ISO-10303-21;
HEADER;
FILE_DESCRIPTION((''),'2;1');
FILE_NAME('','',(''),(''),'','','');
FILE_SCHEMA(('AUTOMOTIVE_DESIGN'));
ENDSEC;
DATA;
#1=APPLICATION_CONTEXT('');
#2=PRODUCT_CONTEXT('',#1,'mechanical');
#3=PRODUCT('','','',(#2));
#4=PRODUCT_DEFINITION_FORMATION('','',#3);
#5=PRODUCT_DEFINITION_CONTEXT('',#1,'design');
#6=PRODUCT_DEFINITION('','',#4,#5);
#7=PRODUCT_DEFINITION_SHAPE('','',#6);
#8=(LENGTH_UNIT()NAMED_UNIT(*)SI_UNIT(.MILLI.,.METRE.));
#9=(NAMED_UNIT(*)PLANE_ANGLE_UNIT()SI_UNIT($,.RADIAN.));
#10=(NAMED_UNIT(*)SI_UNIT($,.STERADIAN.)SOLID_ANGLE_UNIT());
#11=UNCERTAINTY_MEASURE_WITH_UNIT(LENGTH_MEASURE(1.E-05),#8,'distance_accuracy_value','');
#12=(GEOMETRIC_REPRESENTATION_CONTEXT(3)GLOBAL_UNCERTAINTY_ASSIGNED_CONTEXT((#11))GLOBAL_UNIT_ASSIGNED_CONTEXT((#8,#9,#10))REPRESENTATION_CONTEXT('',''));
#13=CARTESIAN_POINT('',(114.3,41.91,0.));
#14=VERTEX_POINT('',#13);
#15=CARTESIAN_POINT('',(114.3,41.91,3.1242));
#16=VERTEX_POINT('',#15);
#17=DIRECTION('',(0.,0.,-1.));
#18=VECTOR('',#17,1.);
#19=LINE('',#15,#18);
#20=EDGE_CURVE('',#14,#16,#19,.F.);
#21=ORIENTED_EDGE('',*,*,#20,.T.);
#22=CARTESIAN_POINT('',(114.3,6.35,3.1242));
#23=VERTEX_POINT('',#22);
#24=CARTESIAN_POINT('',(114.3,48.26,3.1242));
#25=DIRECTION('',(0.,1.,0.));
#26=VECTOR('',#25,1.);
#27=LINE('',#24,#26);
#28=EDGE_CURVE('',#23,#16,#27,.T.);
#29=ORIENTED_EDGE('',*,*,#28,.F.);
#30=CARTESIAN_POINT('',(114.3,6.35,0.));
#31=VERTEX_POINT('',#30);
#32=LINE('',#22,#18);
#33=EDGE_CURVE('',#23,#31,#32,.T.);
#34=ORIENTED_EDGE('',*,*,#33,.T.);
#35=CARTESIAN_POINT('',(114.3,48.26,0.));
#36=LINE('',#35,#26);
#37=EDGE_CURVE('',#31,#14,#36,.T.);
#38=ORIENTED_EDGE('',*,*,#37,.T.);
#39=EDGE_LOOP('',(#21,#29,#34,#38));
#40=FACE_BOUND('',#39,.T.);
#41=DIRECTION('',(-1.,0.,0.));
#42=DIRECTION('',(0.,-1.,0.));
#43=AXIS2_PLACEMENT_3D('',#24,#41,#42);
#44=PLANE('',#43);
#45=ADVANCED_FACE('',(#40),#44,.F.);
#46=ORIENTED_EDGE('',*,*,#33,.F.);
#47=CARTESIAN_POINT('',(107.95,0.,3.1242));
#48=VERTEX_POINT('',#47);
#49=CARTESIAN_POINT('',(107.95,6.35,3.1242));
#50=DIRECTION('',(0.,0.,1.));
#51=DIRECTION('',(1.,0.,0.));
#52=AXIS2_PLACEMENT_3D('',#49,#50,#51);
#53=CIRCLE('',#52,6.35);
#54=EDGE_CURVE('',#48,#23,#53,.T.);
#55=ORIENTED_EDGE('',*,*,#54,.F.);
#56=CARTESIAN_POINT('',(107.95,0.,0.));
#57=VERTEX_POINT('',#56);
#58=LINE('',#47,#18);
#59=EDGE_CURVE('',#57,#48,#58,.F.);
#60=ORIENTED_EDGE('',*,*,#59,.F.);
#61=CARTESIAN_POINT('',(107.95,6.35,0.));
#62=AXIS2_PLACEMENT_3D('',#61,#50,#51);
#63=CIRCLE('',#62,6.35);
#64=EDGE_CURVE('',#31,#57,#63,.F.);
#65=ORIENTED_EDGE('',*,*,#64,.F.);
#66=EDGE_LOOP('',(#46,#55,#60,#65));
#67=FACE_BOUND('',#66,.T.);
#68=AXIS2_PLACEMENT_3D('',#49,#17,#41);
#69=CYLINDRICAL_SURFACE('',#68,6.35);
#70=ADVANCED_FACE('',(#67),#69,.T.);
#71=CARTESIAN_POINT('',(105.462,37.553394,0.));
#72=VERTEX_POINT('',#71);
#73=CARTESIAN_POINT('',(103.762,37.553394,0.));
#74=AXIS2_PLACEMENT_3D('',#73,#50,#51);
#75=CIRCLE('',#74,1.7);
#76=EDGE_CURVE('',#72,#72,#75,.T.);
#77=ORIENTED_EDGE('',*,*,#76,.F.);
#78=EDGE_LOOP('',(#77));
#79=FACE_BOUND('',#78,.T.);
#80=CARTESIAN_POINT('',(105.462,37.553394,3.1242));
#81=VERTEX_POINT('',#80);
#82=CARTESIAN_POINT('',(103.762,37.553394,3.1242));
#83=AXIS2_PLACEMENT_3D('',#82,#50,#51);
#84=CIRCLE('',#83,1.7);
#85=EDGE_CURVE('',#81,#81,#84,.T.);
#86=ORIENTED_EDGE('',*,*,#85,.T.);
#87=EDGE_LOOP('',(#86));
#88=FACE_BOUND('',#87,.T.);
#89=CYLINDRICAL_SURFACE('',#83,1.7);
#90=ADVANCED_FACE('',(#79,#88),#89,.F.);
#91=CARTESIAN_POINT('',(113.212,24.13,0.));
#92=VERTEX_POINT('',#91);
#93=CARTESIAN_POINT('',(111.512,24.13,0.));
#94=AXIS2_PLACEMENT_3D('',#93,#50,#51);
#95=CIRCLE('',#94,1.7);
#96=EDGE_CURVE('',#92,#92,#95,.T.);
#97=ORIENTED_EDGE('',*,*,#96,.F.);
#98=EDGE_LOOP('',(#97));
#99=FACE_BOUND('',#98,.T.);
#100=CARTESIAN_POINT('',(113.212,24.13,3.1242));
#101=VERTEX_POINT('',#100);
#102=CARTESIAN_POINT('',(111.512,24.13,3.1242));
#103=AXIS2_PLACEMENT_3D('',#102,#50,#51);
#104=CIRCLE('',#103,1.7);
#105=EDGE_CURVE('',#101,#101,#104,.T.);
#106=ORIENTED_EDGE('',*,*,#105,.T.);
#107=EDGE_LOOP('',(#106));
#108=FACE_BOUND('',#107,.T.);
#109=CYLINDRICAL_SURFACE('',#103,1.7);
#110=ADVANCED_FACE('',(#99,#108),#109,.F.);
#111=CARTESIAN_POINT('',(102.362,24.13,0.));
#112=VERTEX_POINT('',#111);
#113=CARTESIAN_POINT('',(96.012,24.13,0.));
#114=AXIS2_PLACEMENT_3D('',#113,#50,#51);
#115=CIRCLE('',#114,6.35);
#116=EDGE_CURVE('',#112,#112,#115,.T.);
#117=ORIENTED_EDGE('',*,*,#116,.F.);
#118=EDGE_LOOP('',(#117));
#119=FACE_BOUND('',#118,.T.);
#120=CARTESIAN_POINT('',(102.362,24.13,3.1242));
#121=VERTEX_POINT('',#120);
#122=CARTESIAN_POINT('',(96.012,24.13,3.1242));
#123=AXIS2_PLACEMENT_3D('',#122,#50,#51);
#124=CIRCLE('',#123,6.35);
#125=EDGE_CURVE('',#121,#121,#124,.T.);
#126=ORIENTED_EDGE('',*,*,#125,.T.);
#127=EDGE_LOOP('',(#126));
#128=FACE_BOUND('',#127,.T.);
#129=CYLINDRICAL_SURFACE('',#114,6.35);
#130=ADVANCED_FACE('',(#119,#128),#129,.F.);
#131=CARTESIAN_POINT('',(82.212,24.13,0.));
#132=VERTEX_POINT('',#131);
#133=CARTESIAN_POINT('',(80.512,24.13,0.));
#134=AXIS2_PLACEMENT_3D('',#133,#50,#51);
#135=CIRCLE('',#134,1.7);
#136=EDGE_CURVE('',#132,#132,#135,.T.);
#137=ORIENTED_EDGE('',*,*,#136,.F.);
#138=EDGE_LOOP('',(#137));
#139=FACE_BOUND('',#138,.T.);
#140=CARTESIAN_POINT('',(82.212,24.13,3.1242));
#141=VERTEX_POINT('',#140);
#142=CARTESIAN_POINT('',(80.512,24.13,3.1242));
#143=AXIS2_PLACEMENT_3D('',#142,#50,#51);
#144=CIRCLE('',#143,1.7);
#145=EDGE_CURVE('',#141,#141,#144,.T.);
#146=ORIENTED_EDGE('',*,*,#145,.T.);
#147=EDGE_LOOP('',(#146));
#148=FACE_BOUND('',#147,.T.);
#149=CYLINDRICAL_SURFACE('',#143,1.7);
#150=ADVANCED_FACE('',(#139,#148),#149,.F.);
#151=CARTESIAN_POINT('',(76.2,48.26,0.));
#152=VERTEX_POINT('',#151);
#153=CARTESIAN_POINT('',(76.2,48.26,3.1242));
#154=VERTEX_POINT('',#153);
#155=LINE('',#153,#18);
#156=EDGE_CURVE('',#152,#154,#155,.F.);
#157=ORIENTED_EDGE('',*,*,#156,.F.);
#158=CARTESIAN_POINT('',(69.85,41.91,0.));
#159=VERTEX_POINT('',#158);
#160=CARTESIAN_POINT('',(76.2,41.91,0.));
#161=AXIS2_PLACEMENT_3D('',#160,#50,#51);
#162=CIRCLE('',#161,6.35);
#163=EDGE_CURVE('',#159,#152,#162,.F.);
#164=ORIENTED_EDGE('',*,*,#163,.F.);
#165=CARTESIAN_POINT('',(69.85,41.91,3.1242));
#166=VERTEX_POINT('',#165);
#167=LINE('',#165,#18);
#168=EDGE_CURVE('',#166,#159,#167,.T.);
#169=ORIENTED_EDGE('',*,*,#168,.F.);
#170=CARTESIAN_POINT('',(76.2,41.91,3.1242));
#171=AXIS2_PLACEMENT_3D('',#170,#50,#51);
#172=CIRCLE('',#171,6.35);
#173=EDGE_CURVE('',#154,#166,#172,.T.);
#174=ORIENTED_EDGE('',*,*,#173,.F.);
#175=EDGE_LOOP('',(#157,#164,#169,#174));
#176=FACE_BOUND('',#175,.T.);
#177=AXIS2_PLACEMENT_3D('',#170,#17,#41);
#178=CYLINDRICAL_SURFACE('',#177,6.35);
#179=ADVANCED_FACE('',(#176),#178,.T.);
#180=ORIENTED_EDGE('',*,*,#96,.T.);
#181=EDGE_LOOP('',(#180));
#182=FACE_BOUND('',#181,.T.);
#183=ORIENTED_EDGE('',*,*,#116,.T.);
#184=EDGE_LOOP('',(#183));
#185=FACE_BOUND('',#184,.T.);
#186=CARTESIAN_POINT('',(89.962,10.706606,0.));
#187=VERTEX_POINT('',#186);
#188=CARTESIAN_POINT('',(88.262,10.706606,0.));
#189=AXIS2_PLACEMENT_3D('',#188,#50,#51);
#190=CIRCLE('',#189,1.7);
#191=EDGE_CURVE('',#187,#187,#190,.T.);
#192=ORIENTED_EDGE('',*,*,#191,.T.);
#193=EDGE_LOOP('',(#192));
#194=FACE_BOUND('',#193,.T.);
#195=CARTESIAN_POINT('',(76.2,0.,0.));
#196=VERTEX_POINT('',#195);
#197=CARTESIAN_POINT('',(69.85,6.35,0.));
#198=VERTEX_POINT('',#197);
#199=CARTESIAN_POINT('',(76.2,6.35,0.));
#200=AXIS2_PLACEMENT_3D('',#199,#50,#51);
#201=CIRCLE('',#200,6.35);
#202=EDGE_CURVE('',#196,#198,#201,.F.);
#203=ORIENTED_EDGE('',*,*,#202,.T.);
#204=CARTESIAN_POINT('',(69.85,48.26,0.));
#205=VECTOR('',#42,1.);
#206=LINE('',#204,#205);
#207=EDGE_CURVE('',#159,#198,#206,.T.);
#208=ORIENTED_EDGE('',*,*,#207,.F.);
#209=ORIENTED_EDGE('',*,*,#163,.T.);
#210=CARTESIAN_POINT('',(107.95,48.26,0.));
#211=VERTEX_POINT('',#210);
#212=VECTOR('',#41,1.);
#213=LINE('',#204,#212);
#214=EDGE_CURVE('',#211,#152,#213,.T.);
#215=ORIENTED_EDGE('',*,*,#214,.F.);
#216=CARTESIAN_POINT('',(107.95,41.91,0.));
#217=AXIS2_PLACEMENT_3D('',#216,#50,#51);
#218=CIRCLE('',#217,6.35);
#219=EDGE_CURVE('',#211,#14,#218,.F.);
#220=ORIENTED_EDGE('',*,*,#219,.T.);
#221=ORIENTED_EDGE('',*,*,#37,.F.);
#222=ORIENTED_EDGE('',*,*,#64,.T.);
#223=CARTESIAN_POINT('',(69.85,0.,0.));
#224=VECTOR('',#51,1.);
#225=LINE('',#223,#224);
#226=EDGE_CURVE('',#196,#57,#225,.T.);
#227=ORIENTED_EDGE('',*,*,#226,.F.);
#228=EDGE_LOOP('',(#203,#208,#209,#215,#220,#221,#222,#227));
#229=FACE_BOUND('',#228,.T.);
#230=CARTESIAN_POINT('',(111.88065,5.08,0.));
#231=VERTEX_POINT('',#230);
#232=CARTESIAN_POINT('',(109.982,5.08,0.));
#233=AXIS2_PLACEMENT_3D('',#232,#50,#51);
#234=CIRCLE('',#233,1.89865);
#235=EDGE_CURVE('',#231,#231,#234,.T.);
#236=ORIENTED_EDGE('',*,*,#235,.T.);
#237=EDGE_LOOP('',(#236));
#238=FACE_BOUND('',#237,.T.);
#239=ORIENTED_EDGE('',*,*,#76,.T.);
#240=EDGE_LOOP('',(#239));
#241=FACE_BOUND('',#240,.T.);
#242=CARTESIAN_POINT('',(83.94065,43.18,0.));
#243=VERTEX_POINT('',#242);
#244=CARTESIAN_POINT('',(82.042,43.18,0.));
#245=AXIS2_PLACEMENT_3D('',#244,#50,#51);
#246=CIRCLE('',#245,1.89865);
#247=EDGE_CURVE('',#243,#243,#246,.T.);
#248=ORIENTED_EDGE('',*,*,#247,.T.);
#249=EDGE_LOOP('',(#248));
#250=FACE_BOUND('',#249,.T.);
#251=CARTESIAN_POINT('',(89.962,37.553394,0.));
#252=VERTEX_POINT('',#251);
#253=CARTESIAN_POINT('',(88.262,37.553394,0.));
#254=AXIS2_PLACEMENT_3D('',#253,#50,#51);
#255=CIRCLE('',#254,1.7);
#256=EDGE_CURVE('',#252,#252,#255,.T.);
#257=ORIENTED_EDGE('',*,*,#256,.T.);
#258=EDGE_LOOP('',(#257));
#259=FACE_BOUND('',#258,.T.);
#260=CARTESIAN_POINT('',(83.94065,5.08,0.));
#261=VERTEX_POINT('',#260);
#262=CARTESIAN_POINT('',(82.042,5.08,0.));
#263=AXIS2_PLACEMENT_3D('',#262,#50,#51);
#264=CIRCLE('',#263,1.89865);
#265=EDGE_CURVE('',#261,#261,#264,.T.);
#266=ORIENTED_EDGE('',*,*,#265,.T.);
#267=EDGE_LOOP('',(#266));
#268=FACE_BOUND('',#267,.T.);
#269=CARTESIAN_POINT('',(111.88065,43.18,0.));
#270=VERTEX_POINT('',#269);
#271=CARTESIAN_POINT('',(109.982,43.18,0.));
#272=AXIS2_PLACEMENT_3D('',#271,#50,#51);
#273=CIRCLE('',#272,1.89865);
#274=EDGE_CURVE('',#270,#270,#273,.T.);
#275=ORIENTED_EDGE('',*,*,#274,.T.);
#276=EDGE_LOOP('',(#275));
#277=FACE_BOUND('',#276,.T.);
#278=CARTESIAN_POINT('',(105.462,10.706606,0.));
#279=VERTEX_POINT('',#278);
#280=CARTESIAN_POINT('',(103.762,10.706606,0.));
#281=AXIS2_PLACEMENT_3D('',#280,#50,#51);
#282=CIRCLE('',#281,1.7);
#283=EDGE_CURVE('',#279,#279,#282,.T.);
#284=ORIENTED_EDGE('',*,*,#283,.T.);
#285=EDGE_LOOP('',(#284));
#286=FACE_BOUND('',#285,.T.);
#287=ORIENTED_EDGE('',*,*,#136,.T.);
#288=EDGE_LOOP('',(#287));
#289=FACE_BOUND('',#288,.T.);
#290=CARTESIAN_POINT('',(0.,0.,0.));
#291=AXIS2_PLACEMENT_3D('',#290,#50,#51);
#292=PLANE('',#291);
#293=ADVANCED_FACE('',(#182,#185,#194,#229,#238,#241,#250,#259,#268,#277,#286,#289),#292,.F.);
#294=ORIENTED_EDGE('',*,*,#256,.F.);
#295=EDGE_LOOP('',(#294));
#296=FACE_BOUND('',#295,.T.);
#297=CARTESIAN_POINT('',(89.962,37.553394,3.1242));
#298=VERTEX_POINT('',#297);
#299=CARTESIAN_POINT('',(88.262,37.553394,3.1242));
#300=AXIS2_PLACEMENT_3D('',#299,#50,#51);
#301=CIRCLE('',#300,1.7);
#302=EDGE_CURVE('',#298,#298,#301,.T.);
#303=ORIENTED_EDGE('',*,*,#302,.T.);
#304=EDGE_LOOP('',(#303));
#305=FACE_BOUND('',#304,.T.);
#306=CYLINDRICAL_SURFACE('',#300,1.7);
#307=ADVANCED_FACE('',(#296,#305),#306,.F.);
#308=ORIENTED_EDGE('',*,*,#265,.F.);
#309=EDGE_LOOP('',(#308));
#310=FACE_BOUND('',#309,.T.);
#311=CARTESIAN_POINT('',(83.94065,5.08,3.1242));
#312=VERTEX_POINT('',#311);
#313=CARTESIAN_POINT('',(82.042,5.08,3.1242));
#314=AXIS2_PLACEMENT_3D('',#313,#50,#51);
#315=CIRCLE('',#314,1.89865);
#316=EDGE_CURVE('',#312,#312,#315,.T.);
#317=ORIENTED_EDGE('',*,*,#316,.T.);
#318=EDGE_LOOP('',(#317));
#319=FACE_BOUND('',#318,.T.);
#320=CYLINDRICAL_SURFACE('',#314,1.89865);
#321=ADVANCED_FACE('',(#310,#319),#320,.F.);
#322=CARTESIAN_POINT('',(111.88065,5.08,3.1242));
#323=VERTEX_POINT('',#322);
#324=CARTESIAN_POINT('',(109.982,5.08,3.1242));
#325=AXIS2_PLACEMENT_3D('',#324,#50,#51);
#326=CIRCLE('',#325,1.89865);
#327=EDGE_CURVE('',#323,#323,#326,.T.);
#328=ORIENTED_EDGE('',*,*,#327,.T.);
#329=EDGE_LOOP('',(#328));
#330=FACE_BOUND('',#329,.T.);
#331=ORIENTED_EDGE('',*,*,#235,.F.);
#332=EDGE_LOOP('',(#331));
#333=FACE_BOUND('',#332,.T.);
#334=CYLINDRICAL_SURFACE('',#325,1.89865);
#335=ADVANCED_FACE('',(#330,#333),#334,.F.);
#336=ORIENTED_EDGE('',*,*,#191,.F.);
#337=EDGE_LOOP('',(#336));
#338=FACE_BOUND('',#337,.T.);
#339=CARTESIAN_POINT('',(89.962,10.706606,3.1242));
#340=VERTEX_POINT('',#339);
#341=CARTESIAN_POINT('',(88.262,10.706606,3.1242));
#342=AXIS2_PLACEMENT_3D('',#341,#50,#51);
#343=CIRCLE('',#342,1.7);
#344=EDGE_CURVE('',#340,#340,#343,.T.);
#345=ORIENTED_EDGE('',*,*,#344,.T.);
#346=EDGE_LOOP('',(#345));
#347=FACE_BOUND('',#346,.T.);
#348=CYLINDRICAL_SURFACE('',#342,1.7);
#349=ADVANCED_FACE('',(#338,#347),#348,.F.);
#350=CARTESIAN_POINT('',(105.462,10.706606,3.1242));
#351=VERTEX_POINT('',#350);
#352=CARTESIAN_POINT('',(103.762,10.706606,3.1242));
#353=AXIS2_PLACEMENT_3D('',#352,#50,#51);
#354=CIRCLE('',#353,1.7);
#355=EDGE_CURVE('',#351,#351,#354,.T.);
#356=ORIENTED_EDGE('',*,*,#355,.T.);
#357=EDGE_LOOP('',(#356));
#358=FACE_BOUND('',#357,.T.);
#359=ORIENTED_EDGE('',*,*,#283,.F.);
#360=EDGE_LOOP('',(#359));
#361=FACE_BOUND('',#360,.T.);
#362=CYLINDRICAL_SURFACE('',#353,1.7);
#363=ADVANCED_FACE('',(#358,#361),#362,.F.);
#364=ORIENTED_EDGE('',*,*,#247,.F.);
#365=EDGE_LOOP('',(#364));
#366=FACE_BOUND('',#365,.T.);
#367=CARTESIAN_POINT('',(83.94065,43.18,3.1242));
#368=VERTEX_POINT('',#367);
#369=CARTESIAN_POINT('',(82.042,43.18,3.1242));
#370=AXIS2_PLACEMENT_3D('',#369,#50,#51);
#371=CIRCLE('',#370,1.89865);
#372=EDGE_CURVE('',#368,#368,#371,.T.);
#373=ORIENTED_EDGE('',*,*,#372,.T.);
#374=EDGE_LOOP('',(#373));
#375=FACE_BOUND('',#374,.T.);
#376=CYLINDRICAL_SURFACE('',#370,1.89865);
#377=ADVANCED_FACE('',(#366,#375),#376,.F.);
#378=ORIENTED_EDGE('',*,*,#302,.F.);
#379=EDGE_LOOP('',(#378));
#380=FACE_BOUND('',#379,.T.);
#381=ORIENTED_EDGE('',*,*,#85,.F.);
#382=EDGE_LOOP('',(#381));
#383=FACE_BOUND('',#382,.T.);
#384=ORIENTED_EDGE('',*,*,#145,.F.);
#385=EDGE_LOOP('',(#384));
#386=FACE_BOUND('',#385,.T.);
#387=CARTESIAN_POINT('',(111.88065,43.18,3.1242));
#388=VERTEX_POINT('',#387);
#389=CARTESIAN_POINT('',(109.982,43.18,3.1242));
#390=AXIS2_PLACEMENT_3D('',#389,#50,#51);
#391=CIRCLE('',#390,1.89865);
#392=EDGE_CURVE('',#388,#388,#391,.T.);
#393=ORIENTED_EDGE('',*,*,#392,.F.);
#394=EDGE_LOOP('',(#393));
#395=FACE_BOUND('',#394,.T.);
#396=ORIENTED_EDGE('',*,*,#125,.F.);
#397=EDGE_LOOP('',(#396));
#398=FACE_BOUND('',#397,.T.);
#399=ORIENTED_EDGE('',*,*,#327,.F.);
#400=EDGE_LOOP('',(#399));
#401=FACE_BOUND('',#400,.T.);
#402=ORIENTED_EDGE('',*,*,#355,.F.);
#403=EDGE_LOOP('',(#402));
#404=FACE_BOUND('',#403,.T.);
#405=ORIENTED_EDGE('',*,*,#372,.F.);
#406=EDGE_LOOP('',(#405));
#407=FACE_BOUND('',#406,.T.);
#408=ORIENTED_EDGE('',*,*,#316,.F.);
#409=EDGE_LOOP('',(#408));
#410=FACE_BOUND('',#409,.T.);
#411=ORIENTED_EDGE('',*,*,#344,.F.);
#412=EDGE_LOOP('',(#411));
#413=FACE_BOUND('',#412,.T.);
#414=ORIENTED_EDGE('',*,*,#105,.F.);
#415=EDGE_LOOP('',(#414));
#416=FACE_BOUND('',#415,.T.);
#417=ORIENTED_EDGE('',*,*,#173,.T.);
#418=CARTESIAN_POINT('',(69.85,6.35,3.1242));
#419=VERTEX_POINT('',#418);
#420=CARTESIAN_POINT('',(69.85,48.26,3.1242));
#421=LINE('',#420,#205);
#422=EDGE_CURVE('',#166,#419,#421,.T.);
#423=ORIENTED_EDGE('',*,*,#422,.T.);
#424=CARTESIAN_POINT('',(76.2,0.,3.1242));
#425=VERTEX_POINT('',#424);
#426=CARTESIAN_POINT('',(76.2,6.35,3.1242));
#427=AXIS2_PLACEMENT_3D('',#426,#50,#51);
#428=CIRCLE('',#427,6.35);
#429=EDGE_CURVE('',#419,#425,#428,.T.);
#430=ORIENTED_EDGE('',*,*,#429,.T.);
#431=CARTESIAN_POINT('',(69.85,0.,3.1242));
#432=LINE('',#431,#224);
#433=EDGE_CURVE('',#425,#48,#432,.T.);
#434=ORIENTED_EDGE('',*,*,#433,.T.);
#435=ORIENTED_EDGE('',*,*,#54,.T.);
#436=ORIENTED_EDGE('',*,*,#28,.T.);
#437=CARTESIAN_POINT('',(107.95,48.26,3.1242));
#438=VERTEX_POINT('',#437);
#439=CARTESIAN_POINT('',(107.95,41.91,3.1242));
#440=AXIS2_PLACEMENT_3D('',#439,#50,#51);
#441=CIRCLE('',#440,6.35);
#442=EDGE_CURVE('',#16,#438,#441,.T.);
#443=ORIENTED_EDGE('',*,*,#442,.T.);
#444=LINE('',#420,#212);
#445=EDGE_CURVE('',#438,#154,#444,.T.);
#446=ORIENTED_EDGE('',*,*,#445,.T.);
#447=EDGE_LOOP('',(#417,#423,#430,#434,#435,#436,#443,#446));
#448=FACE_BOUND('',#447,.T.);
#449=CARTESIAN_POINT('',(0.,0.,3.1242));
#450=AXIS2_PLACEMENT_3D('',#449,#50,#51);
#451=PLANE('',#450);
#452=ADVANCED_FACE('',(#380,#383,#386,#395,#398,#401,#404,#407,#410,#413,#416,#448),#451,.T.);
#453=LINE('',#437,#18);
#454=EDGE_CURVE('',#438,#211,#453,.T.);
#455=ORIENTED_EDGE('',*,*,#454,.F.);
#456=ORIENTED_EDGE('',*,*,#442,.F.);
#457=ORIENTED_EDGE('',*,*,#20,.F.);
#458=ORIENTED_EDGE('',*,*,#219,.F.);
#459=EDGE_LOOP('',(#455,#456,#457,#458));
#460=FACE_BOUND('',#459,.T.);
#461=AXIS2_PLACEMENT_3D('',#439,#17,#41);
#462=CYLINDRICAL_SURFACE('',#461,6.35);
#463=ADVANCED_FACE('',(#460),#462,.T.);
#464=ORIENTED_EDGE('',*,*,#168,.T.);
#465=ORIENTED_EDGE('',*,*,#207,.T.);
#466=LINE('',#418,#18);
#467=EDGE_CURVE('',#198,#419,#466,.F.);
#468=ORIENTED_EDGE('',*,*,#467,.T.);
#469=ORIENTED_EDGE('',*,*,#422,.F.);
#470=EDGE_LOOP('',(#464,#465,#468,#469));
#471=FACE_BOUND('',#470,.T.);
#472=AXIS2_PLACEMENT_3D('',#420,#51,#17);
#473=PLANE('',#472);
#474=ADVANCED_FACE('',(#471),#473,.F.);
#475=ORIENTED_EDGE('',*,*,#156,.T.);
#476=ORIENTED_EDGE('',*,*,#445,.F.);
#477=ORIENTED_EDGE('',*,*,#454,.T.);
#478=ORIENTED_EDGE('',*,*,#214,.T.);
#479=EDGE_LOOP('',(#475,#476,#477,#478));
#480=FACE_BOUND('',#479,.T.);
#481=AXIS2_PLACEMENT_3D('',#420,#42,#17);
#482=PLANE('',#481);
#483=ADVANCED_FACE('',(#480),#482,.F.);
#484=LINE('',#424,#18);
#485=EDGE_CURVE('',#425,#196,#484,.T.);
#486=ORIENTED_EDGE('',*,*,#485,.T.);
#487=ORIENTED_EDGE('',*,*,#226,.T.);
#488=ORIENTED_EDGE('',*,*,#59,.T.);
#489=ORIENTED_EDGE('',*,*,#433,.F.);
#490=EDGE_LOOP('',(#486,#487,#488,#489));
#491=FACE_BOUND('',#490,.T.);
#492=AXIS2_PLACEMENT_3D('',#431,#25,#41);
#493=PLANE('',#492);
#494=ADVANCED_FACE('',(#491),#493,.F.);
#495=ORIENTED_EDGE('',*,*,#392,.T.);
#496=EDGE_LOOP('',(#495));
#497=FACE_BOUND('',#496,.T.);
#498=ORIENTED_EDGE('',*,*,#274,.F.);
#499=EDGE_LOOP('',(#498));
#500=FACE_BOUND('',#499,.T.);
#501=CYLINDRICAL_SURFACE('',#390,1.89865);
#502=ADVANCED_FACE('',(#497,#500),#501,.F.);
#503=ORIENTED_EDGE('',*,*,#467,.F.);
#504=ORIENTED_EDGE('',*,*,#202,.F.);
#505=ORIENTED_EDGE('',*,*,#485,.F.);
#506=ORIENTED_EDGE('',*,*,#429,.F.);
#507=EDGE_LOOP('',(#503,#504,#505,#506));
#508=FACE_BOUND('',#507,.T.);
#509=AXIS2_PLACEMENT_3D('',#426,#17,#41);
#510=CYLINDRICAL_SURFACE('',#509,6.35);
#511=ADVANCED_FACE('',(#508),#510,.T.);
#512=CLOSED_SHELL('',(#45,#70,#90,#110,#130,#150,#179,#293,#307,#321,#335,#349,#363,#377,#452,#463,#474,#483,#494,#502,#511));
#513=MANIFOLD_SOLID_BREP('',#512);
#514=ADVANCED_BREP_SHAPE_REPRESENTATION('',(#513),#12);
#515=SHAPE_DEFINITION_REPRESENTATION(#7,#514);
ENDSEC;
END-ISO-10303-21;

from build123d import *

# Parameters (mm, degrees)
SKETCH1_W                 = 44.45
SKETCH1_H                 = 48.26
BOSS_EXTRUDE1_DEPTH       = 3.1242
FILLET1_R                 = 6.35
F_6_CLEARANCE_HOLE1_D     = 3.7973
F_6_CLEARANCE_HOLE1_DEPTH = 5.08
F_6_CLEARANCE_HOLE1_TIP   = 1.140824014
SKETCH4_R                 = 6.35
CUT_EXTRUDE1_DEPTH        = 4.1242
M3_CLEARANCE_HOLE1_D      = 3.4


with BuildPart() as part:
    # Sketch1 → Boss-Extrude1 (new body)
    with BuildSketch(Plane.XY):
        with Locations((92.075, 24.13)):
            Rectangle(SKETCH1_W, SKETCH1_H)
    extrude(amount=BOSS_EXTRUDE1_DEPTH)

    # Fillet1
    fillet1_edges = [part.edges().sort_by_distance(p)[0] for p in [
        (69.85, 48.26, 1.5621),
        (114.3, 48.26, 1.5621),
        (114.3, 0, 1.5621),
        (69.85, 0, 1.5621),
    ]]
    fillet(fillet1_edges, radius=FILLET1_R)

    # #6 Clearance Hole1
    with Locations(Plane.XY.offset(3.1242)):
        with Locations((82.042, 43.18), (109.982, 43.18), (109.982, 5.08), (82.042, 5.08)):
            Hole(F_6_CLEARANCE_HOLE1_D / 2, depth=F_6_CLEARANCE_HOLE1_DEPTH)
            with Locations((0, 0, -(F_6_CLEARANCE_HOLE1_DEPTH + F_6_CLEARANCE_HOLE1_TIP / 2))):  # 118° drill point
                Cone(0, F_6_CLEARANCE_HOLE1_D / 2, F_6_CLEARANCE_HOLE1_TIP, mode=Mode.SUBTRACT)

    # Sketch4 → Cut-Extrude1 (cut, through all)
    with BuildSketch(Plane.XY.offset(3.1242)):
        with Locations((96.012, 24.13)):
            Circle(SKETCH4_R)
    extrude(amount=-CUT_EXTRUDE1_DEPTH, mode=Mode.SUBTRACT)

    # M3 Clearance Hole1 (through all)
    with Locations(Plane.XY.offset(3.1242)):
        with Locations((111.512, 24.13), (103.762, 10.706606241), (88.262, 10.706606241), (80.512, 24.13), (88.262, 37.553393759), (103.762, 37.553393759), (96.012, 24.13)):
            Hole(M3_CLEARANCE_HOLE1_D / 2)


solid = part.part
